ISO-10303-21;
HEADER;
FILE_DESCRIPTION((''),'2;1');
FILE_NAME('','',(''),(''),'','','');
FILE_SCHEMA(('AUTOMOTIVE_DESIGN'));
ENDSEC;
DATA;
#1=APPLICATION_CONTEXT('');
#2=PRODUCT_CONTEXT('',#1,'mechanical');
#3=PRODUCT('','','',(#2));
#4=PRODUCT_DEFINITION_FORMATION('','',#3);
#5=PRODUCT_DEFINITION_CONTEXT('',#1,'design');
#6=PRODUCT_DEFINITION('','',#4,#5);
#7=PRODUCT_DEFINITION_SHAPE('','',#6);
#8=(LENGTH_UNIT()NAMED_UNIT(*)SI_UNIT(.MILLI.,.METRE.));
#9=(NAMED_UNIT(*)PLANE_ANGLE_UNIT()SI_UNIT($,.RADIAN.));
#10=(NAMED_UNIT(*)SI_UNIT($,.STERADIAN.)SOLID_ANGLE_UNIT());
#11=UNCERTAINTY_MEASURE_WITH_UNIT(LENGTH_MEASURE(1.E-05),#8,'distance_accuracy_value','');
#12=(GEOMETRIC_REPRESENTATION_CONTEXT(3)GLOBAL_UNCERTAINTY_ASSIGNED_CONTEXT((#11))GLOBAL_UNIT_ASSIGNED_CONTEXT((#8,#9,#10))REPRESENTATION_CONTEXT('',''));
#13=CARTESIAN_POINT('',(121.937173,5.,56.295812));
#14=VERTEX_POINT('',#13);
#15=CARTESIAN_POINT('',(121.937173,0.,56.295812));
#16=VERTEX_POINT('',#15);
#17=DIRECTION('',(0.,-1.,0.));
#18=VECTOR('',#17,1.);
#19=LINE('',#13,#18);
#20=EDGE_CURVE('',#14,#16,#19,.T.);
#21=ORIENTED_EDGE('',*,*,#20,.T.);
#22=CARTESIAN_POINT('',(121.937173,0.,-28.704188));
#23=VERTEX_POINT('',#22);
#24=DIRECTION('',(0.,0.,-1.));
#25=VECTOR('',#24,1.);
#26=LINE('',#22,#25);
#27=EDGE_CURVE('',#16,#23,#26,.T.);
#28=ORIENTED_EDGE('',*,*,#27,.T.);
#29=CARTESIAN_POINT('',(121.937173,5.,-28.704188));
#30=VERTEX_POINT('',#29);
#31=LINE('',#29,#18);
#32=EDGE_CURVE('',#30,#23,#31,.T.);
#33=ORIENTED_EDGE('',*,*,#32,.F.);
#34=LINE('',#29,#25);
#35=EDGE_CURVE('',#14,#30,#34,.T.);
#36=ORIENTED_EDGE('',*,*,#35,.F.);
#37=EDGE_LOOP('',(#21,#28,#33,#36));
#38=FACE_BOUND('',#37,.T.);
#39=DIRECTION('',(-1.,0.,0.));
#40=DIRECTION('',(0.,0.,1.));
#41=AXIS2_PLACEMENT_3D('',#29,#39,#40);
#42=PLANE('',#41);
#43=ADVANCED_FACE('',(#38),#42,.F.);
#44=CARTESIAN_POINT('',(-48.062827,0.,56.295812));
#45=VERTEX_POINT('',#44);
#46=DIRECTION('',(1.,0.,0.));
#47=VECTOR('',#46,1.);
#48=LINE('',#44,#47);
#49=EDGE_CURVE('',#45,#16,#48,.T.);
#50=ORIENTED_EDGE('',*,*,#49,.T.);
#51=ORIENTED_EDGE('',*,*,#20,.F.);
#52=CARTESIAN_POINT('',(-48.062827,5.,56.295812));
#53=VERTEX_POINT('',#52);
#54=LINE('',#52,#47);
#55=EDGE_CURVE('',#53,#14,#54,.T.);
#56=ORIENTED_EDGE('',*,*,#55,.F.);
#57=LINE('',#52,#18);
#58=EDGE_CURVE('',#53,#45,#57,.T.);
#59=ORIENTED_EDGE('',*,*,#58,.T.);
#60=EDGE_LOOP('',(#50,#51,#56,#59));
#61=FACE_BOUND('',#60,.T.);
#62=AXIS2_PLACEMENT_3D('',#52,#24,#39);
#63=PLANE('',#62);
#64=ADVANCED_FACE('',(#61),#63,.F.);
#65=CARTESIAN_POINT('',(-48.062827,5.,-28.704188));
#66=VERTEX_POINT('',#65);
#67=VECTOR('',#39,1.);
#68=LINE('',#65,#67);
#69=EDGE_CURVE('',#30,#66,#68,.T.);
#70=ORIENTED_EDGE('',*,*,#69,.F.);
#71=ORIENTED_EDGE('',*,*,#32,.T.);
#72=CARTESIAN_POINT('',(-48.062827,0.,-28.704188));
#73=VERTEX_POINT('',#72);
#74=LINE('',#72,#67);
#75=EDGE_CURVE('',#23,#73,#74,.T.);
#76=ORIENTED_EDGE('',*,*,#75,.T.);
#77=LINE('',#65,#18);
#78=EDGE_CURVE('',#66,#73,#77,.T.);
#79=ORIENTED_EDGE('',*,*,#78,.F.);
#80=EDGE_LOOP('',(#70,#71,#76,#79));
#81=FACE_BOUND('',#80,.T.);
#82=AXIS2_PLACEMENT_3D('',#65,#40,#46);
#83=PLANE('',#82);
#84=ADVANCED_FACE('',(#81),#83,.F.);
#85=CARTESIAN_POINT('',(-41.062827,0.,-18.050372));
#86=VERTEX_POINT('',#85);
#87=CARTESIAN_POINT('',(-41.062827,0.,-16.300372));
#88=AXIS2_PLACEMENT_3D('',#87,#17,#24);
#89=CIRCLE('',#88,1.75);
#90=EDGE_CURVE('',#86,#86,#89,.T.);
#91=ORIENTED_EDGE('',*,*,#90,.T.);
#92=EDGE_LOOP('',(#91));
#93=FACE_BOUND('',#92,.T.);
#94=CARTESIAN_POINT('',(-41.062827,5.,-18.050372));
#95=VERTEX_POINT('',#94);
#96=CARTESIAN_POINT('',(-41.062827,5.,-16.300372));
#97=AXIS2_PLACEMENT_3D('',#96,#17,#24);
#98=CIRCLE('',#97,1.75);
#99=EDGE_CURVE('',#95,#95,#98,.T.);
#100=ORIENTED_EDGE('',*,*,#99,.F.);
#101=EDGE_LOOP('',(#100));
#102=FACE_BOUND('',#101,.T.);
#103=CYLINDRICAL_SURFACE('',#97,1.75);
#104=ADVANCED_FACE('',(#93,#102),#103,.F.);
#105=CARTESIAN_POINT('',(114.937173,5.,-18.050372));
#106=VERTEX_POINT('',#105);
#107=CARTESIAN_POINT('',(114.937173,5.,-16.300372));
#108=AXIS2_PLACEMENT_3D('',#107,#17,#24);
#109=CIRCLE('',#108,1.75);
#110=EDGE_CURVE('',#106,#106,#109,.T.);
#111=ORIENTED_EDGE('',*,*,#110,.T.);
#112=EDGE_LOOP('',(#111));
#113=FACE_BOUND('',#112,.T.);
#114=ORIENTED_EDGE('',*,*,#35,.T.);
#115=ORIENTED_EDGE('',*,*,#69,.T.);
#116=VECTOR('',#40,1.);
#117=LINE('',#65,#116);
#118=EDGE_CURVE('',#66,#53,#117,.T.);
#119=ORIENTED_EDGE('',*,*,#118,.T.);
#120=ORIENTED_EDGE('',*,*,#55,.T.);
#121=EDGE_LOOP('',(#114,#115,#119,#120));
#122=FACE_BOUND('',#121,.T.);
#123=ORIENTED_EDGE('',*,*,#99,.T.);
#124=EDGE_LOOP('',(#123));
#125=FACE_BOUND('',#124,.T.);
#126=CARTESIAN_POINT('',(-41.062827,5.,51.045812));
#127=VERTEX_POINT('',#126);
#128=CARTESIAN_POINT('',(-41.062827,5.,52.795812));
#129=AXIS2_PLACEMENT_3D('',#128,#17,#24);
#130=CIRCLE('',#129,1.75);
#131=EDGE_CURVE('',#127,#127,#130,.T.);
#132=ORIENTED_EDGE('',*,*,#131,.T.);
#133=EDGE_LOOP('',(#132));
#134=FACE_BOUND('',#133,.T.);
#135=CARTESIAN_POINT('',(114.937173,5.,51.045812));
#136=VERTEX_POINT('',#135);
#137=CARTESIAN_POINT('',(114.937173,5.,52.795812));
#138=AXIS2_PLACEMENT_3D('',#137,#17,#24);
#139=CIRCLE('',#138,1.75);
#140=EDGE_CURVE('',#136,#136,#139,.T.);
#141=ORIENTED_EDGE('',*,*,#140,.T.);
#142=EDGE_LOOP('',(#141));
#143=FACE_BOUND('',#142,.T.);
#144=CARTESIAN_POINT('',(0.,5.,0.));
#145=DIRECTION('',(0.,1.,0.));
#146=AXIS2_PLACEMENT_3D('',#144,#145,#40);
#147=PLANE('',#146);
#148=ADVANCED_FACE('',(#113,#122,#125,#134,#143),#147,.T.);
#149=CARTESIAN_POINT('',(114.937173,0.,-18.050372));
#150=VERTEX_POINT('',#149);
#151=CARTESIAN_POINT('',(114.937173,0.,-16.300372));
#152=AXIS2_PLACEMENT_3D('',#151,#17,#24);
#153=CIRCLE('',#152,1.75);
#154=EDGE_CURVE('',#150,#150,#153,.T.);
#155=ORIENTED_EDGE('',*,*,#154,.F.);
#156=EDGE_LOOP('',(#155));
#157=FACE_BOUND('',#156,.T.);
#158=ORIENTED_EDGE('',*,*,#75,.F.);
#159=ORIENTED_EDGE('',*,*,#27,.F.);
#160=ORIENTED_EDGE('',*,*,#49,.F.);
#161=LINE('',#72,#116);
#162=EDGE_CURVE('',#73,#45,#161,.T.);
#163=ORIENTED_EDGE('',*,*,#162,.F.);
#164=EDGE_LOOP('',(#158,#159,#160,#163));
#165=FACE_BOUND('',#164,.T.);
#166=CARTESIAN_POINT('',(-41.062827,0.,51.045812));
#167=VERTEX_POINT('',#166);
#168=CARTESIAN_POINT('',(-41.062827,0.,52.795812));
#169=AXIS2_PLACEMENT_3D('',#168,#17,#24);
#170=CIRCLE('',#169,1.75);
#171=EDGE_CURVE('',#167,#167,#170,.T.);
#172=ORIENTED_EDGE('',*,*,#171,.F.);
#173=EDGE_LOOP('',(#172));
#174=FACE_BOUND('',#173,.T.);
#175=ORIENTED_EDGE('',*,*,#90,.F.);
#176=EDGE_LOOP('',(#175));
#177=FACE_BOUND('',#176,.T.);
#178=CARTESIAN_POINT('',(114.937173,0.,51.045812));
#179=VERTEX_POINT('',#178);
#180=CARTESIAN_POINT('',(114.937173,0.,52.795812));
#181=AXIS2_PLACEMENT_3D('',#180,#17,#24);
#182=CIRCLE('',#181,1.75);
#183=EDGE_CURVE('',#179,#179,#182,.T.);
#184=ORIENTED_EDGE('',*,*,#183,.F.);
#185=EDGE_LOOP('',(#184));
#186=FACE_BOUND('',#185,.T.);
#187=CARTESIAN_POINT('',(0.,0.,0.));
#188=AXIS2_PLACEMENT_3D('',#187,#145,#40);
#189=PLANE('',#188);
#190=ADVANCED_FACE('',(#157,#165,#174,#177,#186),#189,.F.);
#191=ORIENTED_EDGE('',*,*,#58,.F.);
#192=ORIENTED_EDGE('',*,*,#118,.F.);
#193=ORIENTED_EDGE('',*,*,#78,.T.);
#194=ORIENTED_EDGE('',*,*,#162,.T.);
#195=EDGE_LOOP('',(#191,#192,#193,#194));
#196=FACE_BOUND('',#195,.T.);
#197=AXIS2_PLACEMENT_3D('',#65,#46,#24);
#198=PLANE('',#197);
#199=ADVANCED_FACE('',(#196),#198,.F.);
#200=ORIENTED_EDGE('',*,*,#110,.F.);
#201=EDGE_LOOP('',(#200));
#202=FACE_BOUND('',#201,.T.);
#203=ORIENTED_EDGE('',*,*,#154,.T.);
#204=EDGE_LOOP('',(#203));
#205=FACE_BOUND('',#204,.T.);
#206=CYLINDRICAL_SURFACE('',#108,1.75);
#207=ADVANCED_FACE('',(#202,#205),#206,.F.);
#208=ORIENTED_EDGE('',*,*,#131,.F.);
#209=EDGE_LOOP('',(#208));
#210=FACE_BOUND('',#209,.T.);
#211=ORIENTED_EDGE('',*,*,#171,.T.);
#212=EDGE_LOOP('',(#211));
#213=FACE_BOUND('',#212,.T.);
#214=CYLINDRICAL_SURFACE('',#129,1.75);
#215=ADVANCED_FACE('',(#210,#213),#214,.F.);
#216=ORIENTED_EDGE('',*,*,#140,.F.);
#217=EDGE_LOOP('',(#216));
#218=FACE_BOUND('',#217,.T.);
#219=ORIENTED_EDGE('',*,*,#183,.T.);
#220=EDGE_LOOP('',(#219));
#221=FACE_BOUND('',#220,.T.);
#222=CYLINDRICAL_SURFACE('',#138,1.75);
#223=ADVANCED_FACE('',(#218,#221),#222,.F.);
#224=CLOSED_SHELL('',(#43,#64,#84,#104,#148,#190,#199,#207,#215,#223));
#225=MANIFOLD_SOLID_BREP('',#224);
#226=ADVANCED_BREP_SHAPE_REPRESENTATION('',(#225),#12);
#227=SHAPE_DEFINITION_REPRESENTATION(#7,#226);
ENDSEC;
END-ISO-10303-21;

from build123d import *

# Parameters (mm, degrees)
SKETCH_2_W          = 170
SKETCH_2_H          = 85
EXTRUDE_1_DEPTH     = 5
SKETCH_4_R          = 1.75
CUT_EXTRUDE_1_DEPTH = 135.398260773


with BuildPart() as part:
    # 草图2 → 凸台-拉伸1 (new body)
    with BuildSketch(Plane(origin=(0, 0, 0), x_dir=(1, 0, 0), z_dir=(0, 1, 0))):
        with Locations((36.937172775, -13.795811518)):
            Rectangle(SKETCH_2_W, SKETCH_2_H)
    extrude(amount=EXTRUDE_1_DEPTH)

    # 草图4 → 切除-拉伸1 (cut, through all)
    with BuildSketch(Plane.XZ):
        with Locations(Location((-41.062827225, 52.795811518, 0), (0, 0, 270))):
            Circle(SKETCH_4_R)
        with Locations(Location((-41.062827225, -16.300372234, 0), (0, 0, 270))):
            Circle(SKETCH_4_R)
        with Locations(Location((114.937172775, -16.300372234, 0), (0, 0, 270))):
            Circle(SKETCH_4_R)
        with Locations(Location((114.937172775, 52.795811518, 0), (0, 0, 270))):
            Circle(SKETCH_4_R)
    extrude(amount=-CUT_EXTRUDE_1_DEPTH, mode=Mode.SUBTRACT)


solid = part.part
